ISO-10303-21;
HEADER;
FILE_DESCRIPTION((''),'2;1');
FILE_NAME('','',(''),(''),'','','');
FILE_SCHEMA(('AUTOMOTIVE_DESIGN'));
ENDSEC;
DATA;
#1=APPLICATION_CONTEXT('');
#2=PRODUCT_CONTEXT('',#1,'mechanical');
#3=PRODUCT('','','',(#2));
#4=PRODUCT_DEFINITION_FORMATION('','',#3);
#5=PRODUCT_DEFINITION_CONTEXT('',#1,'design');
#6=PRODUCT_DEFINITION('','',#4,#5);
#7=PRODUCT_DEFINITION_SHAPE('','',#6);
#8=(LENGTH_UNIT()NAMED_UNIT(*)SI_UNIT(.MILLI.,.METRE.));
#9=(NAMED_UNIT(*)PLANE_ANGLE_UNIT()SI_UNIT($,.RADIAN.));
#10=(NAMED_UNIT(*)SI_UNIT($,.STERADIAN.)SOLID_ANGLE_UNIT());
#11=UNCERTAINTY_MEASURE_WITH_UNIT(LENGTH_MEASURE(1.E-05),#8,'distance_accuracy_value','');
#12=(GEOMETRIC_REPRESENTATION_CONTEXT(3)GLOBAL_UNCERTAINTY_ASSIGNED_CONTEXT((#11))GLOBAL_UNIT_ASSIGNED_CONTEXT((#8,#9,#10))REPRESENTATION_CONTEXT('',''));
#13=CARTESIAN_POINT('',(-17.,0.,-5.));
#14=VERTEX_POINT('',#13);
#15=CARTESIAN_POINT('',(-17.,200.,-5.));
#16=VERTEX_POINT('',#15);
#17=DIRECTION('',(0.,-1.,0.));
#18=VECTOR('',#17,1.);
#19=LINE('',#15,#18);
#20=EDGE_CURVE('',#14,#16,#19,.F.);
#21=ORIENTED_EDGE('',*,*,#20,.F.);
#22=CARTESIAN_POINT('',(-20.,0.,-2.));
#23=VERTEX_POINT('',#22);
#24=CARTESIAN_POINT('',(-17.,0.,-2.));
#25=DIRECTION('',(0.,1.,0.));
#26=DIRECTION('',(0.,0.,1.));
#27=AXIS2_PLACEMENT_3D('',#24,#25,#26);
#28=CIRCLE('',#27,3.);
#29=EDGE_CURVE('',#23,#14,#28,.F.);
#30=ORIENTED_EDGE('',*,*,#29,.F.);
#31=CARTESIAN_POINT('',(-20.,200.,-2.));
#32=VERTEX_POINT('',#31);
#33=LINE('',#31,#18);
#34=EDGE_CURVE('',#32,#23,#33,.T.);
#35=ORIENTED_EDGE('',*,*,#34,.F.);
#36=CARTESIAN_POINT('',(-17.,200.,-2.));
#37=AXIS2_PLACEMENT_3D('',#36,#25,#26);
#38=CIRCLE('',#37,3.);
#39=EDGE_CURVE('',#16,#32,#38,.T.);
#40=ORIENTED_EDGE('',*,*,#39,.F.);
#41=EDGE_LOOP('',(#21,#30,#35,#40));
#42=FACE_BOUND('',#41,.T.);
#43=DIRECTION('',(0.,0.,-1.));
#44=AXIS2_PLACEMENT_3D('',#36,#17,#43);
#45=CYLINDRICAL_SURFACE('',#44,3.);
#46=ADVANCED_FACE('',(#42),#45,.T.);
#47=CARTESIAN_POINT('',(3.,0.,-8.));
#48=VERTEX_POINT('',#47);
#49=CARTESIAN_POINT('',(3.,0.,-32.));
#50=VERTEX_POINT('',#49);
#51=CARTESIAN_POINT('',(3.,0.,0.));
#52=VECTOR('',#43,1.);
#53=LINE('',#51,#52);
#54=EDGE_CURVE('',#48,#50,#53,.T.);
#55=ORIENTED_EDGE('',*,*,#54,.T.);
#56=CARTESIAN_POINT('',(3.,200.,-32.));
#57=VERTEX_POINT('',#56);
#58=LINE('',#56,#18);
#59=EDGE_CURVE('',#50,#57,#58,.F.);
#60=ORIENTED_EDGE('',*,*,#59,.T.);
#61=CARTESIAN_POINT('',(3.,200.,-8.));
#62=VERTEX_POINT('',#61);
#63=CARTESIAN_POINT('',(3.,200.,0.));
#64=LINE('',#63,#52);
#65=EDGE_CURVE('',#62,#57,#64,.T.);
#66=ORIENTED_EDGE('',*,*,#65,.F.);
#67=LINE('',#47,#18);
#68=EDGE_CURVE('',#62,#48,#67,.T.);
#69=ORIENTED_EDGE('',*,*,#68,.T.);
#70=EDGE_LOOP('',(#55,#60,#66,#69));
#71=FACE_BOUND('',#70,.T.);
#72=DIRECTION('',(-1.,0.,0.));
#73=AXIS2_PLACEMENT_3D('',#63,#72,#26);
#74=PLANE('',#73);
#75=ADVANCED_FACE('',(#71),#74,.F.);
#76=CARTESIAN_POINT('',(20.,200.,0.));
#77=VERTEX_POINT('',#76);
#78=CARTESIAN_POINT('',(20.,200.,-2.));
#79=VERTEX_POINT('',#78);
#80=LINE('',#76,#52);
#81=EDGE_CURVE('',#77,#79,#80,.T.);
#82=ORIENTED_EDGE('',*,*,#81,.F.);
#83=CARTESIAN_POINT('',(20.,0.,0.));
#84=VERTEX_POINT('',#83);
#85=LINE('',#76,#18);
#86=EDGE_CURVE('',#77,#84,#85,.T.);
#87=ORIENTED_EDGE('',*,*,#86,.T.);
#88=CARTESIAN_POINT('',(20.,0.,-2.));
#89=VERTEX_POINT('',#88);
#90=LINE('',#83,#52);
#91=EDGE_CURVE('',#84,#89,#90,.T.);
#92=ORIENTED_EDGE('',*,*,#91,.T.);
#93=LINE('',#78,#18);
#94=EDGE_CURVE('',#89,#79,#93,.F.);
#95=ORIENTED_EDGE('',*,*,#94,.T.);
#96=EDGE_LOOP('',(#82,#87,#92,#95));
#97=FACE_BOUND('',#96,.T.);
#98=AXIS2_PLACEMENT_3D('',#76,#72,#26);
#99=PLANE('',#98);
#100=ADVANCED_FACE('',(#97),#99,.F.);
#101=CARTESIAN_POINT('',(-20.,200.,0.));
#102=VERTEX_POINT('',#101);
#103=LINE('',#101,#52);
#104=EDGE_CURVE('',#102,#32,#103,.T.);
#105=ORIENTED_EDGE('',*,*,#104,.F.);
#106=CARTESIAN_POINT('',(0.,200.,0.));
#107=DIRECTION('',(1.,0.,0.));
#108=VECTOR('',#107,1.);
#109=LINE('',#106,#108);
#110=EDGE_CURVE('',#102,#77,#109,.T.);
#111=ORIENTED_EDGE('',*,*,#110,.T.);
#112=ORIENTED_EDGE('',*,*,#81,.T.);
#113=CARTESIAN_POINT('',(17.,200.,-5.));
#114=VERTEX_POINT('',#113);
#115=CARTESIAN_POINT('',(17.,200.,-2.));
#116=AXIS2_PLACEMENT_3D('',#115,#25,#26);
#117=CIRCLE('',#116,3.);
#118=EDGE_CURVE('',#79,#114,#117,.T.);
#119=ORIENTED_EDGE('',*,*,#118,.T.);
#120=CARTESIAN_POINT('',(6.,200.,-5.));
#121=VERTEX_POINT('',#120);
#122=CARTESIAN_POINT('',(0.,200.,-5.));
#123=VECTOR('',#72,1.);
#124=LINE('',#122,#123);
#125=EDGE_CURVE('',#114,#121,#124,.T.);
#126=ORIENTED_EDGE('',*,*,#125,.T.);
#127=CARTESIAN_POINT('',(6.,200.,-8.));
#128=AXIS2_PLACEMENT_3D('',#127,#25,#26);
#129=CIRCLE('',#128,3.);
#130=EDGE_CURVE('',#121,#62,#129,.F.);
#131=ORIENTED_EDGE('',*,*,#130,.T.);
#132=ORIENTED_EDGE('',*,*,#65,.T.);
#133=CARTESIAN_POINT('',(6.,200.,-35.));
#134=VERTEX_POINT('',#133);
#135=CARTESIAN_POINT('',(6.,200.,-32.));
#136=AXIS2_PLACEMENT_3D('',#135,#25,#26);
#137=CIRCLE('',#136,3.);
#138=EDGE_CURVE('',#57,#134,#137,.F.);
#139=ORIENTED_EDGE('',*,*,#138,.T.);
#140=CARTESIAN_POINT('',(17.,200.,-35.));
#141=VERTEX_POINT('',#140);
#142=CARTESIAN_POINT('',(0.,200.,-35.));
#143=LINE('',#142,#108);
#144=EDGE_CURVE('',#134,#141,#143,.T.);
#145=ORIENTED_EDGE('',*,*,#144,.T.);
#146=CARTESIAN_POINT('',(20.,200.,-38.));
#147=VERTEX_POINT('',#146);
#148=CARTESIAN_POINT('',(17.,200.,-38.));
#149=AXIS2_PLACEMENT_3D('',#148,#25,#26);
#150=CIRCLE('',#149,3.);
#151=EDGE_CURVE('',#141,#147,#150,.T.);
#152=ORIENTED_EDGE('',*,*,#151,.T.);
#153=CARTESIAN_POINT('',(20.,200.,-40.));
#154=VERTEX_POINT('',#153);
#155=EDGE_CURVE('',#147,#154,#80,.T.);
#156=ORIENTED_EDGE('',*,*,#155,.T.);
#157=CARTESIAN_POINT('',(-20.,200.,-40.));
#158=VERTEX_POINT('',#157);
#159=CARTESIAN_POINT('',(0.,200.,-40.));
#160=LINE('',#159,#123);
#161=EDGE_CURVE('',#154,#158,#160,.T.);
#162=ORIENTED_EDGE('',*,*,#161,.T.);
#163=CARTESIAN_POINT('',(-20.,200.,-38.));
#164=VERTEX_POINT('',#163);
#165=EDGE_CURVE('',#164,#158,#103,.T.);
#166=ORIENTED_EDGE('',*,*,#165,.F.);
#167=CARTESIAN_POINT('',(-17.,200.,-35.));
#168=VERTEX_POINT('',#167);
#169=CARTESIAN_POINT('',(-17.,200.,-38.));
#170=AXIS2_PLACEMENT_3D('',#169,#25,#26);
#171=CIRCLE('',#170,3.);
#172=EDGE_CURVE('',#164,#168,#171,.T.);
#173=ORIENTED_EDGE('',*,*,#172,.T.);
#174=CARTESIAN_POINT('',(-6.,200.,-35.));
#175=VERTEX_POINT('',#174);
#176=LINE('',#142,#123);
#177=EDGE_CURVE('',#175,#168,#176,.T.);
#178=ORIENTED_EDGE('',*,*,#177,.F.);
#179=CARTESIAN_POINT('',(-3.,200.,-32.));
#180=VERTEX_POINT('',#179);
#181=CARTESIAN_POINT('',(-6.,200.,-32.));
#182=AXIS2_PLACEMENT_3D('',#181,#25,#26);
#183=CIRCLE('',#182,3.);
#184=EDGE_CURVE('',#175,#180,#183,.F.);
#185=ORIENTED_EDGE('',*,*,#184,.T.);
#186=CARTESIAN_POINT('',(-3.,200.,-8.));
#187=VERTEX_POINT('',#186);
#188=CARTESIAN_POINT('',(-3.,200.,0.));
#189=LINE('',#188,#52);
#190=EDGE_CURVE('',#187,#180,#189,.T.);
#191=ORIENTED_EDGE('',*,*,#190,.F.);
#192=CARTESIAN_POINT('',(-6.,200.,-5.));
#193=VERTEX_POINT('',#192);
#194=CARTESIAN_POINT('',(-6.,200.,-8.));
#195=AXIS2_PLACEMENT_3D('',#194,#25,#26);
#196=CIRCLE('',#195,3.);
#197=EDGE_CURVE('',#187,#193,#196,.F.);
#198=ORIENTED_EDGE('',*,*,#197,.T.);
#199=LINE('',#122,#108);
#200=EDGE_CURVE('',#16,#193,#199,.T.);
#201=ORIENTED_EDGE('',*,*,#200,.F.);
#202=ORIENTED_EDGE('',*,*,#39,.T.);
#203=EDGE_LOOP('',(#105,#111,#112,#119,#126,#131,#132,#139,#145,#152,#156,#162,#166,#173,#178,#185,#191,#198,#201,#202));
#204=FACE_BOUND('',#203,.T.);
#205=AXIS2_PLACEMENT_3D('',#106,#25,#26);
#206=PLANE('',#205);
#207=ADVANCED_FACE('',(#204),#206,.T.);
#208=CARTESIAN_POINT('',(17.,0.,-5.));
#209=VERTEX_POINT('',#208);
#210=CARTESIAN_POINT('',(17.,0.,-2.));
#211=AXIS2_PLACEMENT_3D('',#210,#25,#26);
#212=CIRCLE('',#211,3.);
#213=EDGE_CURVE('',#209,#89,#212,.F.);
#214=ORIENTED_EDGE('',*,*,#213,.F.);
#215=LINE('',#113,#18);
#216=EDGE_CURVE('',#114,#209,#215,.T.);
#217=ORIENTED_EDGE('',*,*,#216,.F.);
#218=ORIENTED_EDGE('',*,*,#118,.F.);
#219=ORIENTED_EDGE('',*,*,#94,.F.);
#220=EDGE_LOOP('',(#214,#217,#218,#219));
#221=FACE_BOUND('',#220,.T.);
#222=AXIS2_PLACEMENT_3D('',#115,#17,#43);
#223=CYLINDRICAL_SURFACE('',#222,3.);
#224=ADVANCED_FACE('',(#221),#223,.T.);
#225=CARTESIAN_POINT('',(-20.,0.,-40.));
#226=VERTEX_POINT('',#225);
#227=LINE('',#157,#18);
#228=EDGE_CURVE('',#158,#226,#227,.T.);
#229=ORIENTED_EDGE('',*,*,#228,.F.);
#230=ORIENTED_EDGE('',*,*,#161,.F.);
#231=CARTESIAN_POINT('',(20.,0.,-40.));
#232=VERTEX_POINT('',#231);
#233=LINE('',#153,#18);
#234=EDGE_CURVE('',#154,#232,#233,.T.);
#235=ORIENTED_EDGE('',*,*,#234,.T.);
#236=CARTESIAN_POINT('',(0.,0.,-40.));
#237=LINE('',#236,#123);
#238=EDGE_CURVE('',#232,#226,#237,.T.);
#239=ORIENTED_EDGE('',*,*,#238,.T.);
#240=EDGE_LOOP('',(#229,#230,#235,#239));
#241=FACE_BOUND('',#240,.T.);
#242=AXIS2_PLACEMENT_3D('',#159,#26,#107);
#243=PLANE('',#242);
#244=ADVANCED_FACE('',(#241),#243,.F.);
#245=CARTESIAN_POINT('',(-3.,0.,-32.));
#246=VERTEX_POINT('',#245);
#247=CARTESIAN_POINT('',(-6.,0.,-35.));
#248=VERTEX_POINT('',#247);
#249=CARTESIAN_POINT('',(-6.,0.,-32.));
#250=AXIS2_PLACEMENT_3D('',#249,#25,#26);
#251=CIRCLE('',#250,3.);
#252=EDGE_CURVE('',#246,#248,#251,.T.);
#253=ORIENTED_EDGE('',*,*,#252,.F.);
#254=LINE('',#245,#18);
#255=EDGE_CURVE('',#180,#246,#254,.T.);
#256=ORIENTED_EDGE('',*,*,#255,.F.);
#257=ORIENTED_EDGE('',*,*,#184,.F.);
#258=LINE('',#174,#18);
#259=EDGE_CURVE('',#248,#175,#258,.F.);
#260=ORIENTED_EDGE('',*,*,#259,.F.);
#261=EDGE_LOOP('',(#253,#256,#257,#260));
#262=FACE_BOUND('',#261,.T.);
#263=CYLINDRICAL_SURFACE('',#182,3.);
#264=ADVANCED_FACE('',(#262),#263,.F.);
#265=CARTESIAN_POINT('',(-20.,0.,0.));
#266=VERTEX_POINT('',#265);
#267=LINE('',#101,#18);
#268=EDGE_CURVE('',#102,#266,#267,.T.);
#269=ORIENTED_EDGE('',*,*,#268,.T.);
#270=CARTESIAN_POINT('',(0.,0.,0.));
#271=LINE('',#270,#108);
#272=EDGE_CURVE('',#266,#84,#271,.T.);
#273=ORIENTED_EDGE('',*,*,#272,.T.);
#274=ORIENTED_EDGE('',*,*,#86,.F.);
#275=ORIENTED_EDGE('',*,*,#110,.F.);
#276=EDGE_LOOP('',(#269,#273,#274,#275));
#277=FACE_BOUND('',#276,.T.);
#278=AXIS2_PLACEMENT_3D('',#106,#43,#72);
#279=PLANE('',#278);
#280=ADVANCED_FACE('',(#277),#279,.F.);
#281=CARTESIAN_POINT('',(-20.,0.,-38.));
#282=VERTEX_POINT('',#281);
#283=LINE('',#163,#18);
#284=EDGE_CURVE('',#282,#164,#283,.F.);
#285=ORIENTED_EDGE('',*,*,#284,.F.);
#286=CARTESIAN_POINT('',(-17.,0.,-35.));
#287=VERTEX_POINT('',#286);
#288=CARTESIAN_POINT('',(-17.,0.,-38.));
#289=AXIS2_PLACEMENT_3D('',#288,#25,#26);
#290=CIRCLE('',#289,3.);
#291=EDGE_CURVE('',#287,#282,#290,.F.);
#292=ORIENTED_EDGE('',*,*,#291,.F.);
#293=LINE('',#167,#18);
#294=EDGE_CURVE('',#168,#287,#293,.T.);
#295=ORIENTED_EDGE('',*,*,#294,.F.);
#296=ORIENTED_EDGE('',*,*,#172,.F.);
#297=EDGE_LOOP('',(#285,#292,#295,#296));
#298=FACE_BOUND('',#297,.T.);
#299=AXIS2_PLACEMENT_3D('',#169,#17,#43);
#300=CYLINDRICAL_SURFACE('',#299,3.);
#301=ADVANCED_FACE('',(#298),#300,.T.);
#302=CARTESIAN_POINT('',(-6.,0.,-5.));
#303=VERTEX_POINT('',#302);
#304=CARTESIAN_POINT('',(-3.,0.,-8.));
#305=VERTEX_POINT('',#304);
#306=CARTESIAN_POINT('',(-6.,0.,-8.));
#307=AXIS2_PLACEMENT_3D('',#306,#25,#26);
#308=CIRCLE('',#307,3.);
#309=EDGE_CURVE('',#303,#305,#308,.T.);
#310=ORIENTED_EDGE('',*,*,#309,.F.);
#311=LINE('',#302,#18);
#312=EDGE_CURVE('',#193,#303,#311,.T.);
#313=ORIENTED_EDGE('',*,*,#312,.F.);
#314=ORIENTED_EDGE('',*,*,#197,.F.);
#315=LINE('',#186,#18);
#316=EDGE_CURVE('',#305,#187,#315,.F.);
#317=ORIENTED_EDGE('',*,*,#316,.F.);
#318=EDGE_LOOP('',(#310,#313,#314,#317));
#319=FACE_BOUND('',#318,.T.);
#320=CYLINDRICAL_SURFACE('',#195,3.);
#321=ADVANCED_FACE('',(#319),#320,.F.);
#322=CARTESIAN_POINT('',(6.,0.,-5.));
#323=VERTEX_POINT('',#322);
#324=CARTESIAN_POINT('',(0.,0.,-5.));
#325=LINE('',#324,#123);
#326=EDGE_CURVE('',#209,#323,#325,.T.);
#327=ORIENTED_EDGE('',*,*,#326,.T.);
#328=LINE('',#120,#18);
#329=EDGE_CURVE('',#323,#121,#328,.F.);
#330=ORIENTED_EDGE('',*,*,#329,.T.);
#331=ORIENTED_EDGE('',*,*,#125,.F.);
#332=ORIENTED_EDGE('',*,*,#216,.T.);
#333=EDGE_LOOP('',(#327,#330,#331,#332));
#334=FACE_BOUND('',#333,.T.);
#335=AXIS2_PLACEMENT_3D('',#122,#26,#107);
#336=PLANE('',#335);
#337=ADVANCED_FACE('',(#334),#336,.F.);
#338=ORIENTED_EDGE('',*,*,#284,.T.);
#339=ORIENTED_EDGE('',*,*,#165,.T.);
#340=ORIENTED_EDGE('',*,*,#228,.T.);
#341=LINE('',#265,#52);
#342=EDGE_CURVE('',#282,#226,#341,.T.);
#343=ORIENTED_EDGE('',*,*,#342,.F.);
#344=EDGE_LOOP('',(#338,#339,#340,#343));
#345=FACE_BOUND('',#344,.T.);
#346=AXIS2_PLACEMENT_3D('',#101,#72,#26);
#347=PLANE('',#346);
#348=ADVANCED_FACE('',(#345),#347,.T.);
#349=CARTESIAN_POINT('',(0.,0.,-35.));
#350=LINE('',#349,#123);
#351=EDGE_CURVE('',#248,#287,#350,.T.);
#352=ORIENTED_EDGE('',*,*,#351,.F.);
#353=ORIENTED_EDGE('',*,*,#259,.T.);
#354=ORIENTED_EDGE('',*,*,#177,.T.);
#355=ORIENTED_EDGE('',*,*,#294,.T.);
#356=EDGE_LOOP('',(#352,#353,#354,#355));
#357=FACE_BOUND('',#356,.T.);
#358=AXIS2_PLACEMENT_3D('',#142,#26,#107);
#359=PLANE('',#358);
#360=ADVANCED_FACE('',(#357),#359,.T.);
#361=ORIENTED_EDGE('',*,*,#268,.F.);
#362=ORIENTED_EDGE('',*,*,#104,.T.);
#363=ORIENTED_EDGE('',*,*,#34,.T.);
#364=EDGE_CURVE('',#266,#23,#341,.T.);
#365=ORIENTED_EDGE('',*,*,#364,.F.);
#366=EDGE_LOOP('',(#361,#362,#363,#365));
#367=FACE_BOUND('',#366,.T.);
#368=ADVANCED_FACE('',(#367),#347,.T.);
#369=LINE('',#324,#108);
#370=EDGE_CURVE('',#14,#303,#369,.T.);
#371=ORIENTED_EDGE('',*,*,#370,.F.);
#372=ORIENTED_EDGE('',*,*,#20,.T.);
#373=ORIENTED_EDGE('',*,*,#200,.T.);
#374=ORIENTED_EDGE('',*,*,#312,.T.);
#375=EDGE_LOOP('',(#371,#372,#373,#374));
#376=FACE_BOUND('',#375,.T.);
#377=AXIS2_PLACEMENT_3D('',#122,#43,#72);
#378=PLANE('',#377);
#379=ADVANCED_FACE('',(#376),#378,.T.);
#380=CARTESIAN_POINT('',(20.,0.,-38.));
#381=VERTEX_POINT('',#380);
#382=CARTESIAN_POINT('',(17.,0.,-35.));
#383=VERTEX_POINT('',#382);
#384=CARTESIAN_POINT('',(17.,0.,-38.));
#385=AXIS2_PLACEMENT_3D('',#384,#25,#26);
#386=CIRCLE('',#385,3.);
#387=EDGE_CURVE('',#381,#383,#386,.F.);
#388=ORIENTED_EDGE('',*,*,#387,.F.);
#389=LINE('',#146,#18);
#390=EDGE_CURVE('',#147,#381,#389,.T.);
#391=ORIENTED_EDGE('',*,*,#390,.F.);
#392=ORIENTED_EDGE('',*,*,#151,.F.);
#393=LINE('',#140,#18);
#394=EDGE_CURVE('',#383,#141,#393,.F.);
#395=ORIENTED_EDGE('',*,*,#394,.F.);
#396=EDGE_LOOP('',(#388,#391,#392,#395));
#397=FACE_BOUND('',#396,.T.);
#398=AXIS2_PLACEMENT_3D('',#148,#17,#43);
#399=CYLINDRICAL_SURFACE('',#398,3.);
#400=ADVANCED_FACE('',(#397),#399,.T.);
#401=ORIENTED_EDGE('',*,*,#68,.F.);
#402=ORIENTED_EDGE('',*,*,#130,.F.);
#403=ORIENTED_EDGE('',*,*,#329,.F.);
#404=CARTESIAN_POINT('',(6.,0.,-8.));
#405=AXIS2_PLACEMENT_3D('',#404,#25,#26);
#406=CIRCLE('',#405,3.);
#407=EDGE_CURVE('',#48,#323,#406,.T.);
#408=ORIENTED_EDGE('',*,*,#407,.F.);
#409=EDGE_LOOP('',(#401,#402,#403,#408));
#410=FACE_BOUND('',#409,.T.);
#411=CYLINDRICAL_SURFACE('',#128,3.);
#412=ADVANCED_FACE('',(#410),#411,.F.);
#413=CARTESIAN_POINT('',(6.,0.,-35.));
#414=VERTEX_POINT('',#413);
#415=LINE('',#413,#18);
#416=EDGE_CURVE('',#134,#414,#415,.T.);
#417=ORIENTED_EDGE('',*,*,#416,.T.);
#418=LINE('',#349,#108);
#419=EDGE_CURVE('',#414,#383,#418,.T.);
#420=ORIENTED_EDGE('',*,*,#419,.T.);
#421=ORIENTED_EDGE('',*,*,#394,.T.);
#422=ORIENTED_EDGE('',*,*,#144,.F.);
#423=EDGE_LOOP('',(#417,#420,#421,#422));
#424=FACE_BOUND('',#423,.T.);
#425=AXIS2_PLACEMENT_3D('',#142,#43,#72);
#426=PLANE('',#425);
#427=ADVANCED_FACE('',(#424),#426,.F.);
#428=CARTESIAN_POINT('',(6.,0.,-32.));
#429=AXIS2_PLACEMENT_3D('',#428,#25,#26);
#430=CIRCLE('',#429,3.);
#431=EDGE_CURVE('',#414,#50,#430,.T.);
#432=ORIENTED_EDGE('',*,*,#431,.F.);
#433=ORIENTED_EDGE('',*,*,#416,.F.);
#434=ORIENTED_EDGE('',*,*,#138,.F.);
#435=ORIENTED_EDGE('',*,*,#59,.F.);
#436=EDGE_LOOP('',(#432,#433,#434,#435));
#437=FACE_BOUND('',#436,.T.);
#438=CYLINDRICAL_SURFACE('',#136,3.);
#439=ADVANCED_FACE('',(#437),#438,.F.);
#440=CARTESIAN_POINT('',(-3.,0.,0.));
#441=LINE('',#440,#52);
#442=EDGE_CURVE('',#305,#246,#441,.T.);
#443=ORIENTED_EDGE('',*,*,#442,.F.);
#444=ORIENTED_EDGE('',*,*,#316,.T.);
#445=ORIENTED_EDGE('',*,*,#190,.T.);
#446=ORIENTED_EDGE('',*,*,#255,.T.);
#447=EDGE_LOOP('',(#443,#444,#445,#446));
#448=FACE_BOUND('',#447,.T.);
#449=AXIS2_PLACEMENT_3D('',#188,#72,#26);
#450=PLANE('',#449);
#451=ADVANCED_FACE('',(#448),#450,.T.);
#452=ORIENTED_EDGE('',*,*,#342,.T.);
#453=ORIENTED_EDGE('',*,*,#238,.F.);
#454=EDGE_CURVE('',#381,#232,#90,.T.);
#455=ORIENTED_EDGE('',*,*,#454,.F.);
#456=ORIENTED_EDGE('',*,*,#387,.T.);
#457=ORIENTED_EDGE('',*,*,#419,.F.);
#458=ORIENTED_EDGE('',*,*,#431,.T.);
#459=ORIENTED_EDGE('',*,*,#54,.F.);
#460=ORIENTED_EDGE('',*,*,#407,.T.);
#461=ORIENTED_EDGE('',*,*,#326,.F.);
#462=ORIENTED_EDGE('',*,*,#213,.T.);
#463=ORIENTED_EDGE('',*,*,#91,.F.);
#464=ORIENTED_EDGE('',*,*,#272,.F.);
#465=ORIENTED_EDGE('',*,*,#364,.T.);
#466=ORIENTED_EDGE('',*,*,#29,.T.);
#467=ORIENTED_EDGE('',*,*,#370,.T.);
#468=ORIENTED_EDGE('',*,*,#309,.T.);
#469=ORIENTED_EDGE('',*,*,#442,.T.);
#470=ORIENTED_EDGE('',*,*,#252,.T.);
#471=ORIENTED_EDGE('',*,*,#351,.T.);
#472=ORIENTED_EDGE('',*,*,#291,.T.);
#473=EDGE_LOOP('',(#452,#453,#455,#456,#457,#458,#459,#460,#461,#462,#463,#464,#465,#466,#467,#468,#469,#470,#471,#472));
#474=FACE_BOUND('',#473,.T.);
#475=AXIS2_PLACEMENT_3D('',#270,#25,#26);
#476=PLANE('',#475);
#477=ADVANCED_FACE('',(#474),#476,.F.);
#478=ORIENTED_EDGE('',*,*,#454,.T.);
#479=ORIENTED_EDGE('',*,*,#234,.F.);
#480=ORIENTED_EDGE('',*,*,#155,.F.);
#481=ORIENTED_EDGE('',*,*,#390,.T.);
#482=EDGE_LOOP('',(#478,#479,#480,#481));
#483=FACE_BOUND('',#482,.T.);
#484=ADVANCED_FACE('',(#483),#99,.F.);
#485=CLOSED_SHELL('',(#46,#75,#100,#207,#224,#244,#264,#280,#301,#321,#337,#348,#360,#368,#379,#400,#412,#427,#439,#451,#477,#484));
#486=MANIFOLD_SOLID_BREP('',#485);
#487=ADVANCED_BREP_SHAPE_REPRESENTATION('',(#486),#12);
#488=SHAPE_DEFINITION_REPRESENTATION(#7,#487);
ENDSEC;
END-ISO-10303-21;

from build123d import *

# Parameters (mm, degrees)
BOSS_EXTRUDE1_DEPTH = 200
FILLET1_R           = 3
FILLET2_R           = 3


with BuildPart() as part:
    # Sketch1 → Boss-Extrude1 (new body)
    with BuildSketch(Plane(origin=(0, 0, 0), x_dir=(1, 0, 0), z_dir=(0, 1, 0))):
        Polygon((-20, 5), (-20, 0), (0, 0), (0, 40), (-20, 40), (-20, 35), (-3, 35), (-3, 5), align=None)
        Polygon((0, 40), (0, 0), (20, 0), (20, 5), (3, 5), (3, 35), (20, 35), (20, 40), align=None)
    extrude(amount=BOSS_EXTRUDE1_DEPTH)

    # Fillet1
    fillet1_edges = [part.edges().sort_by_distance(p)[0] for p in [
        (-3, 100, -5),
        (-3, 100, -35),
        (3, 100, -35),
        (3, 100, -5),
    ]]
    fillet(fillet1_edges, radius=FILLET1_R)

    # Fillet2
    fillet2_edges = [part.edges().sort_by_distance(p)[0] for p in [
        (-20, 100, -5),
        (-20, 100, -35),
        (20, 100, -35),
        (20, 100, -5),
    ]]
    fillet(fillet2_edges, radius=FILLET2_R)


solid = part.part
